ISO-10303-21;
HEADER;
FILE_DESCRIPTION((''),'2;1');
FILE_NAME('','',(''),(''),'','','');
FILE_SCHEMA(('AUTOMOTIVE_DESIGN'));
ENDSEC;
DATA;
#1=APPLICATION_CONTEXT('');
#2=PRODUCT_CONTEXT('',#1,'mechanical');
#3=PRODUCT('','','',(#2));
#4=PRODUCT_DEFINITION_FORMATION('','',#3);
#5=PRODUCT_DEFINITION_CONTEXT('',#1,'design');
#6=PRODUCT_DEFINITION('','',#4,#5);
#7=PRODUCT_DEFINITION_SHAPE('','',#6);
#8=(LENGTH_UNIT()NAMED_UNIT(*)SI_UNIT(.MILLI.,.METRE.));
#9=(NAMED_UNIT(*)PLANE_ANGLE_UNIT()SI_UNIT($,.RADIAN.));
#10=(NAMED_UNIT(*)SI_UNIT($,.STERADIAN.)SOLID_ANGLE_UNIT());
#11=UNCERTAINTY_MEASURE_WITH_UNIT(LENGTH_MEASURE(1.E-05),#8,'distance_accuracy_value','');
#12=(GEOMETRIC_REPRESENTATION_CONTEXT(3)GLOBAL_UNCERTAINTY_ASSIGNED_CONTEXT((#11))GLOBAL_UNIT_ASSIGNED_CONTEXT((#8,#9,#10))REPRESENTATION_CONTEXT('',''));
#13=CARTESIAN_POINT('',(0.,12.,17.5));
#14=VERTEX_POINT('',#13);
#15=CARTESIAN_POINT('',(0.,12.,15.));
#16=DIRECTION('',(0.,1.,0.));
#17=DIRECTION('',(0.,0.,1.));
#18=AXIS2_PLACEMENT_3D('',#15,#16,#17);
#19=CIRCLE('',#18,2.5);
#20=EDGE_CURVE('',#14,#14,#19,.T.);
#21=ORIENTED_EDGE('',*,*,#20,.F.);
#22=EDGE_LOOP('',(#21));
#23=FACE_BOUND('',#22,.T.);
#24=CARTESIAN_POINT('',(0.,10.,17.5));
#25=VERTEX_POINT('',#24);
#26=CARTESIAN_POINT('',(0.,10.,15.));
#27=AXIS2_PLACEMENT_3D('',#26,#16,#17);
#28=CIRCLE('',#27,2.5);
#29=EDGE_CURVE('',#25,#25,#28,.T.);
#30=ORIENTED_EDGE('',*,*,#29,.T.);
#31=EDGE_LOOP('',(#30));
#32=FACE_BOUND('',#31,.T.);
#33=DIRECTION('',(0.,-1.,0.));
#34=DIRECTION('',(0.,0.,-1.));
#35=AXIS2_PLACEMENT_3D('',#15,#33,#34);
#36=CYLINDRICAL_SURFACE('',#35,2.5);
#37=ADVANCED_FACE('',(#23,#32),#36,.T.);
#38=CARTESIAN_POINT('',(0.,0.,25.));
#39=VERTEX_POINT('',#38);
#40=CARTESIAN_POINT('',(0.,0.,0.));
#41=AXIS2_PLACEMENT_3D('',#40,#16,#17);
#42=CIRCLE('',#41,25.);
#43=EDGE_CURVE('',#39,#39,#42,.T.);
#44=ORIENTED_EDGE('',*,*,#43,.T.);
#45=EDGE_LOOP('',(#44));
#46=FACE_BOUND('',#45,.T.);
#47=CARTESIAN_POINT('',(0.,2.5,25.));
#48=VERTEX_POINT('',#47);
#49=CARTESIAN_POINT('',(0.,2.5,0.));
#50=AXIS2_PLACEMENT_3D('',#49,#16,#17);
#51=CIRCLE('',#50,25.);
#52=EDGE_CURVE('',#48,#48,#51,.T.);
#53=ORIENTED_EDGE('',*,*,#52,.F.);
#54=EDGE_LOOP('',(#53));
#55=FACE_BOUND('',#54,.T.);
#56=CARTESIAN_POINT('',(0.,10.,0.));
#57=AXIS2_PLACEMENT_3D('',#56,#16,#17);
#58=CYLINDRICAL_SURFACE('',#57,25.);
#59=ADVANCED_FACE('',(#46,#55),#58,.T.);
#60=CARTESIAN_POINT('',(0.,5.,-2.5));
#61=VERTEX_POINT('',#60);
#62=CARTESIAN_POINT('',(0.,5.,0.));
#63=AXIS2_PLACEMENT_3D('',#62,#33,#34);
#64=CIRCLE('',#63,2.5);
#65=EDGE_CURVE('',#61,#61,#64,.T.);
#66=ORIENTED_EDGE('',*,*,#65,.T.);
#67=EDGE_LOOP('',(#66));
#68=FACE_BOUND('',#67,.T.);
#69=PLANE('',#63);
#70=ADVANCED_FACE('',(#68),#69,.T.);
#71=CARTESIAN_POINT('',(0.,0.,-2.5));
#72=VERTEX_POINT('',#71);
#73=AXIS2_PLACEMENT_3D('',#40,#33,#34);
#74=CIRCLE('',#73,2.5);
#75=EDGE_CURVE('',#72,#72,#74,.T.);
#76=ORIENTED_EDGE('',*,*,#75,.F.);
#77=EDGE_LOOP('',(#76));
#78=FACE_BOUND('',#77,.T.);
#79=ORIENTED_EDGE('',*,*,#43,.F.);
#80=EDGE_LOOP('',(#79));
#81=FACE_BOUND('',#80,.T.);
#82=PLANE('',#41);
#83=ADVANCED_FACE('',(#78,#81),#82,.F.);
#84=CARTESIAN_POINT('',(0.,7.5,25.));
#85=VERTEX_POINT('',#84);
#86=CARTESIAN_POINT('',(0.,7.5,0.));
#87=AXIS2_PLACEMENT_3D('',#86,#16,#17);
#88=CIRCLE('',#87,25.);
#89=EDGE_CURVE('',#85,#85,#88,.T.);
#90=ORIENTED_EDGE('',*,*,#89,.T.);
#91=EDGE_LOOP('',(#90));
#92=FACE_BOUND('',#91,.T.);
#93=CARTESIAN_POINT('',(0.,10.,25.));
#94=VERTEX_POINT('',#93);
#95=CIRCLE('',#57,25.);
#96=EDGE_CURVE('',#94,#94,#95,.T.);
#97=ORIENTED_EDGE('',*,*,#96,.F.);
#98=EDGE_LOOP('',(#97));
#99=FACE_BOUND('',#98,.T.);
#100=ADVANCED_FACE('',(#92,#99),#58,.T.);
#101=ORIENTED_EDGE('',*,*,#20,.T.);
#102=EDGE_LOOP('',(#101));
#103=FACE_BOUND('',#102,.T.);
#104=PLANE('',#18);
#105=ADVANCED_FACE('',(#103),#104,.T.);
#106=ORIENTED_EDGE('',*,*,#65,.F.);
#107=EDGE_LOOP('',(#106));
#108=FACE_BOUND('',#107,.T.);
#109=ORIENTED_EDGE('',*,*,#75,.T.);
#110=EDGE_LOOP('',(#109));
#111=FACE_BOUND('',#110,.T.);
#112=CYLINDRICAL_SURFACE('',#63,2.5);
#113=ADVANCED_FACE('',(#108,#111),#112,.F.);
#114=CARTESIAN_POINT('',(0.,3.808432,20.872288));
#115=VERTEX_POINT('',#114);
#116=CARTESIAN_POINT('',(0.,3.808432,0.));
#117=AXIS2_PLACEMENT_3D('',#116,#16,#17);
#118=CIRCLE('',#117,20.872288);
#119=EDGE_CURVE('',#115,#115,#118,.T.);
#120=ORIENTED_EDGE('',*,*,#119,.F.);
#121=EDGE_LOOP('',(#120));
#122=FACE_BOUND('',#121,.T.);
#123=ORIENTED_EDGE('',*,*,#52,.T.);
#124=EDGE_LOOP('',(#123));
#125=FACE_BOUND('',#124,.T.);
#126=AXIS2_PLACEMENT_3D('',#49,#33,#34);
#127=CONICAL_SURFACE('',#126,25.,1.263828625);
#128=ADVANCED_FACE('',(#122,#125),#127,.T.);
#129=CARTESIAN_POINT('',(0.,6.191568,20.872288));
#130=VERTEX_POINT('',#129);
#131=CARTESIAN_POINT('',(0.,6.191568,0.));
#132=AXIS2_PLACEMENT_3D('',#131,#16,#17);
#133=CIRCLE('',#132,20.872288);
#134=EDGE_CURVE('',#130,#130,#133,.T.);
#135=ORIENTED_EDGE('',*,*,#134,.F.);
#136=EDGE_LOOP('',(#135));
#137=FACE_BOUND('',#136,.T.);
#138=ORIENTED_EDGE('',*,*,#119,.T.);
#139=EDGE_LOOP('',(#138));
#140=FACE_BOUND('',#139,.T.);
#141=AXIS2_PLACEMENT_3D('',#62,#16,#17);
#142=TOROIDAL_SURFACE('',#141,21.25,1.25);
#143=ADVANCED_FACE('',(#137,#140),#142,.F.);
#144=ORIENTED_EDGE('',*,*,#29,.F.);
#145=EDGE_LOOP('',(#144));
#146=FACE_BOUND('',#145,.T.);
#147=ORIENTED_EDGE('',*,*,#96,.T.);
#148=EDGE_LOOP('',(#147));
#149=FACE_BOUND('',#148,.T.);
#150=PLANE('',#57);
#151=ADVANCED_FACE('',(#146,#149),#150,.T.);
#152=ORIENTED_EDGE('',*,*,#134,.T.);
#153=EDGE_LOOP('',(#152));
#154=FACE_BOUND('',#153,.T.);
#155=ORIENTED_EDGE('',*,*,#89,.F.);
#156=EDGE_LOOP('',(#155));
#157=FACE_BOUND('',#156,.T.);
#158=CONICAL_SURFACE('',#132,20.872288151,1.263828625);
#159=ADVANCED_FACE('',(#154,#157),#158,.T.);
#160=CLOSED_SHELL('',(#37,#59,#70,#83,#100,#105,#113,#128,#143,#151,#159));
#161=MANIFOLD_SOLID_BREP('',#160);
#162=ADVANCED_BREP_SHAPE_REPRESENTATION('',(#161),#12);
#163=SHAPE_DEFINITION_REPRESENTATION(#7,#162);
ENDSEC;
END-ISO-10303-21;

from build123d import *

# Parameters (mm, degrees)
SKETCH1_R           = 20
BOSS_EXTRUDE1_DEPTH = 10
SKETCH3_R           = 2.5
CUT_EXTRUDE1_DEPTH  = 5
SKETCH4_R           = 2.5
BOSS_EXTRUDE2_DEPTH = 2


with BuildPart() as part:
    # Sketch1 → Boss-Extrude1 (new body)
    with BuildSketch(Plane(origin=(0, 0, 0), x_dir=(1, 0, 0), z_dir=(0, 1, 0))):
        Circle(SKETCH1_R)
    extrude(amount=BOSS_EXTRUDE1_DEPTH)

    # Sketch2 → Revolve1 (revolve)
    with BuildSketch(Plane(origin=(0, 0, 0), x_dir=(0, 0, -1), z_dir=(1, 0, 0))):
        with BuildLine():
            Line((20, 10), (25, 10))
            Line((25, 10), (25, 7.5))
            Line((25, 7.5), (20.872288151, 6.191567774))
            ThreePointArc((20.872288151, 6.191567774), (20, 5), (20.872288151, 3.808432226))
            Line((20.872288151, 3.808432226), (25, 2.5))
            Line((25, 2.5), (25, 0))
            Line((25, 0), (20, 0))
            Line((20, 0), (19.25, 0))
            Line((19.25, 0), (19.25, 10))
            Line((19.25, 10), (20, 10))
        make_face()
    revolve(axis=Axis((0, 10, 0), (0, -1, 0)))

    # Sketch3 → Cut-Extrude1 (cut)
    with BuildSketch(Plane.XZ):
        Circle(SKETCH3_R)
    extrude(amount=-CUT_EXTRUDE1_DEPTH, mode=Mode.SUBTRACT)

    # Sketch4 → Boss-Extrude2 (add)
    with BuildSketch(Plane(origin=(0, 10, 0), x_dir=(1, 0, 0), z_dir=(0, 1, 0))):
        with Locations((0, -15)):
            Circle(SKETCH4_R)
    extrude(amount=BOSS_EXTRUDE2_DEPTH)


solid = part.part
